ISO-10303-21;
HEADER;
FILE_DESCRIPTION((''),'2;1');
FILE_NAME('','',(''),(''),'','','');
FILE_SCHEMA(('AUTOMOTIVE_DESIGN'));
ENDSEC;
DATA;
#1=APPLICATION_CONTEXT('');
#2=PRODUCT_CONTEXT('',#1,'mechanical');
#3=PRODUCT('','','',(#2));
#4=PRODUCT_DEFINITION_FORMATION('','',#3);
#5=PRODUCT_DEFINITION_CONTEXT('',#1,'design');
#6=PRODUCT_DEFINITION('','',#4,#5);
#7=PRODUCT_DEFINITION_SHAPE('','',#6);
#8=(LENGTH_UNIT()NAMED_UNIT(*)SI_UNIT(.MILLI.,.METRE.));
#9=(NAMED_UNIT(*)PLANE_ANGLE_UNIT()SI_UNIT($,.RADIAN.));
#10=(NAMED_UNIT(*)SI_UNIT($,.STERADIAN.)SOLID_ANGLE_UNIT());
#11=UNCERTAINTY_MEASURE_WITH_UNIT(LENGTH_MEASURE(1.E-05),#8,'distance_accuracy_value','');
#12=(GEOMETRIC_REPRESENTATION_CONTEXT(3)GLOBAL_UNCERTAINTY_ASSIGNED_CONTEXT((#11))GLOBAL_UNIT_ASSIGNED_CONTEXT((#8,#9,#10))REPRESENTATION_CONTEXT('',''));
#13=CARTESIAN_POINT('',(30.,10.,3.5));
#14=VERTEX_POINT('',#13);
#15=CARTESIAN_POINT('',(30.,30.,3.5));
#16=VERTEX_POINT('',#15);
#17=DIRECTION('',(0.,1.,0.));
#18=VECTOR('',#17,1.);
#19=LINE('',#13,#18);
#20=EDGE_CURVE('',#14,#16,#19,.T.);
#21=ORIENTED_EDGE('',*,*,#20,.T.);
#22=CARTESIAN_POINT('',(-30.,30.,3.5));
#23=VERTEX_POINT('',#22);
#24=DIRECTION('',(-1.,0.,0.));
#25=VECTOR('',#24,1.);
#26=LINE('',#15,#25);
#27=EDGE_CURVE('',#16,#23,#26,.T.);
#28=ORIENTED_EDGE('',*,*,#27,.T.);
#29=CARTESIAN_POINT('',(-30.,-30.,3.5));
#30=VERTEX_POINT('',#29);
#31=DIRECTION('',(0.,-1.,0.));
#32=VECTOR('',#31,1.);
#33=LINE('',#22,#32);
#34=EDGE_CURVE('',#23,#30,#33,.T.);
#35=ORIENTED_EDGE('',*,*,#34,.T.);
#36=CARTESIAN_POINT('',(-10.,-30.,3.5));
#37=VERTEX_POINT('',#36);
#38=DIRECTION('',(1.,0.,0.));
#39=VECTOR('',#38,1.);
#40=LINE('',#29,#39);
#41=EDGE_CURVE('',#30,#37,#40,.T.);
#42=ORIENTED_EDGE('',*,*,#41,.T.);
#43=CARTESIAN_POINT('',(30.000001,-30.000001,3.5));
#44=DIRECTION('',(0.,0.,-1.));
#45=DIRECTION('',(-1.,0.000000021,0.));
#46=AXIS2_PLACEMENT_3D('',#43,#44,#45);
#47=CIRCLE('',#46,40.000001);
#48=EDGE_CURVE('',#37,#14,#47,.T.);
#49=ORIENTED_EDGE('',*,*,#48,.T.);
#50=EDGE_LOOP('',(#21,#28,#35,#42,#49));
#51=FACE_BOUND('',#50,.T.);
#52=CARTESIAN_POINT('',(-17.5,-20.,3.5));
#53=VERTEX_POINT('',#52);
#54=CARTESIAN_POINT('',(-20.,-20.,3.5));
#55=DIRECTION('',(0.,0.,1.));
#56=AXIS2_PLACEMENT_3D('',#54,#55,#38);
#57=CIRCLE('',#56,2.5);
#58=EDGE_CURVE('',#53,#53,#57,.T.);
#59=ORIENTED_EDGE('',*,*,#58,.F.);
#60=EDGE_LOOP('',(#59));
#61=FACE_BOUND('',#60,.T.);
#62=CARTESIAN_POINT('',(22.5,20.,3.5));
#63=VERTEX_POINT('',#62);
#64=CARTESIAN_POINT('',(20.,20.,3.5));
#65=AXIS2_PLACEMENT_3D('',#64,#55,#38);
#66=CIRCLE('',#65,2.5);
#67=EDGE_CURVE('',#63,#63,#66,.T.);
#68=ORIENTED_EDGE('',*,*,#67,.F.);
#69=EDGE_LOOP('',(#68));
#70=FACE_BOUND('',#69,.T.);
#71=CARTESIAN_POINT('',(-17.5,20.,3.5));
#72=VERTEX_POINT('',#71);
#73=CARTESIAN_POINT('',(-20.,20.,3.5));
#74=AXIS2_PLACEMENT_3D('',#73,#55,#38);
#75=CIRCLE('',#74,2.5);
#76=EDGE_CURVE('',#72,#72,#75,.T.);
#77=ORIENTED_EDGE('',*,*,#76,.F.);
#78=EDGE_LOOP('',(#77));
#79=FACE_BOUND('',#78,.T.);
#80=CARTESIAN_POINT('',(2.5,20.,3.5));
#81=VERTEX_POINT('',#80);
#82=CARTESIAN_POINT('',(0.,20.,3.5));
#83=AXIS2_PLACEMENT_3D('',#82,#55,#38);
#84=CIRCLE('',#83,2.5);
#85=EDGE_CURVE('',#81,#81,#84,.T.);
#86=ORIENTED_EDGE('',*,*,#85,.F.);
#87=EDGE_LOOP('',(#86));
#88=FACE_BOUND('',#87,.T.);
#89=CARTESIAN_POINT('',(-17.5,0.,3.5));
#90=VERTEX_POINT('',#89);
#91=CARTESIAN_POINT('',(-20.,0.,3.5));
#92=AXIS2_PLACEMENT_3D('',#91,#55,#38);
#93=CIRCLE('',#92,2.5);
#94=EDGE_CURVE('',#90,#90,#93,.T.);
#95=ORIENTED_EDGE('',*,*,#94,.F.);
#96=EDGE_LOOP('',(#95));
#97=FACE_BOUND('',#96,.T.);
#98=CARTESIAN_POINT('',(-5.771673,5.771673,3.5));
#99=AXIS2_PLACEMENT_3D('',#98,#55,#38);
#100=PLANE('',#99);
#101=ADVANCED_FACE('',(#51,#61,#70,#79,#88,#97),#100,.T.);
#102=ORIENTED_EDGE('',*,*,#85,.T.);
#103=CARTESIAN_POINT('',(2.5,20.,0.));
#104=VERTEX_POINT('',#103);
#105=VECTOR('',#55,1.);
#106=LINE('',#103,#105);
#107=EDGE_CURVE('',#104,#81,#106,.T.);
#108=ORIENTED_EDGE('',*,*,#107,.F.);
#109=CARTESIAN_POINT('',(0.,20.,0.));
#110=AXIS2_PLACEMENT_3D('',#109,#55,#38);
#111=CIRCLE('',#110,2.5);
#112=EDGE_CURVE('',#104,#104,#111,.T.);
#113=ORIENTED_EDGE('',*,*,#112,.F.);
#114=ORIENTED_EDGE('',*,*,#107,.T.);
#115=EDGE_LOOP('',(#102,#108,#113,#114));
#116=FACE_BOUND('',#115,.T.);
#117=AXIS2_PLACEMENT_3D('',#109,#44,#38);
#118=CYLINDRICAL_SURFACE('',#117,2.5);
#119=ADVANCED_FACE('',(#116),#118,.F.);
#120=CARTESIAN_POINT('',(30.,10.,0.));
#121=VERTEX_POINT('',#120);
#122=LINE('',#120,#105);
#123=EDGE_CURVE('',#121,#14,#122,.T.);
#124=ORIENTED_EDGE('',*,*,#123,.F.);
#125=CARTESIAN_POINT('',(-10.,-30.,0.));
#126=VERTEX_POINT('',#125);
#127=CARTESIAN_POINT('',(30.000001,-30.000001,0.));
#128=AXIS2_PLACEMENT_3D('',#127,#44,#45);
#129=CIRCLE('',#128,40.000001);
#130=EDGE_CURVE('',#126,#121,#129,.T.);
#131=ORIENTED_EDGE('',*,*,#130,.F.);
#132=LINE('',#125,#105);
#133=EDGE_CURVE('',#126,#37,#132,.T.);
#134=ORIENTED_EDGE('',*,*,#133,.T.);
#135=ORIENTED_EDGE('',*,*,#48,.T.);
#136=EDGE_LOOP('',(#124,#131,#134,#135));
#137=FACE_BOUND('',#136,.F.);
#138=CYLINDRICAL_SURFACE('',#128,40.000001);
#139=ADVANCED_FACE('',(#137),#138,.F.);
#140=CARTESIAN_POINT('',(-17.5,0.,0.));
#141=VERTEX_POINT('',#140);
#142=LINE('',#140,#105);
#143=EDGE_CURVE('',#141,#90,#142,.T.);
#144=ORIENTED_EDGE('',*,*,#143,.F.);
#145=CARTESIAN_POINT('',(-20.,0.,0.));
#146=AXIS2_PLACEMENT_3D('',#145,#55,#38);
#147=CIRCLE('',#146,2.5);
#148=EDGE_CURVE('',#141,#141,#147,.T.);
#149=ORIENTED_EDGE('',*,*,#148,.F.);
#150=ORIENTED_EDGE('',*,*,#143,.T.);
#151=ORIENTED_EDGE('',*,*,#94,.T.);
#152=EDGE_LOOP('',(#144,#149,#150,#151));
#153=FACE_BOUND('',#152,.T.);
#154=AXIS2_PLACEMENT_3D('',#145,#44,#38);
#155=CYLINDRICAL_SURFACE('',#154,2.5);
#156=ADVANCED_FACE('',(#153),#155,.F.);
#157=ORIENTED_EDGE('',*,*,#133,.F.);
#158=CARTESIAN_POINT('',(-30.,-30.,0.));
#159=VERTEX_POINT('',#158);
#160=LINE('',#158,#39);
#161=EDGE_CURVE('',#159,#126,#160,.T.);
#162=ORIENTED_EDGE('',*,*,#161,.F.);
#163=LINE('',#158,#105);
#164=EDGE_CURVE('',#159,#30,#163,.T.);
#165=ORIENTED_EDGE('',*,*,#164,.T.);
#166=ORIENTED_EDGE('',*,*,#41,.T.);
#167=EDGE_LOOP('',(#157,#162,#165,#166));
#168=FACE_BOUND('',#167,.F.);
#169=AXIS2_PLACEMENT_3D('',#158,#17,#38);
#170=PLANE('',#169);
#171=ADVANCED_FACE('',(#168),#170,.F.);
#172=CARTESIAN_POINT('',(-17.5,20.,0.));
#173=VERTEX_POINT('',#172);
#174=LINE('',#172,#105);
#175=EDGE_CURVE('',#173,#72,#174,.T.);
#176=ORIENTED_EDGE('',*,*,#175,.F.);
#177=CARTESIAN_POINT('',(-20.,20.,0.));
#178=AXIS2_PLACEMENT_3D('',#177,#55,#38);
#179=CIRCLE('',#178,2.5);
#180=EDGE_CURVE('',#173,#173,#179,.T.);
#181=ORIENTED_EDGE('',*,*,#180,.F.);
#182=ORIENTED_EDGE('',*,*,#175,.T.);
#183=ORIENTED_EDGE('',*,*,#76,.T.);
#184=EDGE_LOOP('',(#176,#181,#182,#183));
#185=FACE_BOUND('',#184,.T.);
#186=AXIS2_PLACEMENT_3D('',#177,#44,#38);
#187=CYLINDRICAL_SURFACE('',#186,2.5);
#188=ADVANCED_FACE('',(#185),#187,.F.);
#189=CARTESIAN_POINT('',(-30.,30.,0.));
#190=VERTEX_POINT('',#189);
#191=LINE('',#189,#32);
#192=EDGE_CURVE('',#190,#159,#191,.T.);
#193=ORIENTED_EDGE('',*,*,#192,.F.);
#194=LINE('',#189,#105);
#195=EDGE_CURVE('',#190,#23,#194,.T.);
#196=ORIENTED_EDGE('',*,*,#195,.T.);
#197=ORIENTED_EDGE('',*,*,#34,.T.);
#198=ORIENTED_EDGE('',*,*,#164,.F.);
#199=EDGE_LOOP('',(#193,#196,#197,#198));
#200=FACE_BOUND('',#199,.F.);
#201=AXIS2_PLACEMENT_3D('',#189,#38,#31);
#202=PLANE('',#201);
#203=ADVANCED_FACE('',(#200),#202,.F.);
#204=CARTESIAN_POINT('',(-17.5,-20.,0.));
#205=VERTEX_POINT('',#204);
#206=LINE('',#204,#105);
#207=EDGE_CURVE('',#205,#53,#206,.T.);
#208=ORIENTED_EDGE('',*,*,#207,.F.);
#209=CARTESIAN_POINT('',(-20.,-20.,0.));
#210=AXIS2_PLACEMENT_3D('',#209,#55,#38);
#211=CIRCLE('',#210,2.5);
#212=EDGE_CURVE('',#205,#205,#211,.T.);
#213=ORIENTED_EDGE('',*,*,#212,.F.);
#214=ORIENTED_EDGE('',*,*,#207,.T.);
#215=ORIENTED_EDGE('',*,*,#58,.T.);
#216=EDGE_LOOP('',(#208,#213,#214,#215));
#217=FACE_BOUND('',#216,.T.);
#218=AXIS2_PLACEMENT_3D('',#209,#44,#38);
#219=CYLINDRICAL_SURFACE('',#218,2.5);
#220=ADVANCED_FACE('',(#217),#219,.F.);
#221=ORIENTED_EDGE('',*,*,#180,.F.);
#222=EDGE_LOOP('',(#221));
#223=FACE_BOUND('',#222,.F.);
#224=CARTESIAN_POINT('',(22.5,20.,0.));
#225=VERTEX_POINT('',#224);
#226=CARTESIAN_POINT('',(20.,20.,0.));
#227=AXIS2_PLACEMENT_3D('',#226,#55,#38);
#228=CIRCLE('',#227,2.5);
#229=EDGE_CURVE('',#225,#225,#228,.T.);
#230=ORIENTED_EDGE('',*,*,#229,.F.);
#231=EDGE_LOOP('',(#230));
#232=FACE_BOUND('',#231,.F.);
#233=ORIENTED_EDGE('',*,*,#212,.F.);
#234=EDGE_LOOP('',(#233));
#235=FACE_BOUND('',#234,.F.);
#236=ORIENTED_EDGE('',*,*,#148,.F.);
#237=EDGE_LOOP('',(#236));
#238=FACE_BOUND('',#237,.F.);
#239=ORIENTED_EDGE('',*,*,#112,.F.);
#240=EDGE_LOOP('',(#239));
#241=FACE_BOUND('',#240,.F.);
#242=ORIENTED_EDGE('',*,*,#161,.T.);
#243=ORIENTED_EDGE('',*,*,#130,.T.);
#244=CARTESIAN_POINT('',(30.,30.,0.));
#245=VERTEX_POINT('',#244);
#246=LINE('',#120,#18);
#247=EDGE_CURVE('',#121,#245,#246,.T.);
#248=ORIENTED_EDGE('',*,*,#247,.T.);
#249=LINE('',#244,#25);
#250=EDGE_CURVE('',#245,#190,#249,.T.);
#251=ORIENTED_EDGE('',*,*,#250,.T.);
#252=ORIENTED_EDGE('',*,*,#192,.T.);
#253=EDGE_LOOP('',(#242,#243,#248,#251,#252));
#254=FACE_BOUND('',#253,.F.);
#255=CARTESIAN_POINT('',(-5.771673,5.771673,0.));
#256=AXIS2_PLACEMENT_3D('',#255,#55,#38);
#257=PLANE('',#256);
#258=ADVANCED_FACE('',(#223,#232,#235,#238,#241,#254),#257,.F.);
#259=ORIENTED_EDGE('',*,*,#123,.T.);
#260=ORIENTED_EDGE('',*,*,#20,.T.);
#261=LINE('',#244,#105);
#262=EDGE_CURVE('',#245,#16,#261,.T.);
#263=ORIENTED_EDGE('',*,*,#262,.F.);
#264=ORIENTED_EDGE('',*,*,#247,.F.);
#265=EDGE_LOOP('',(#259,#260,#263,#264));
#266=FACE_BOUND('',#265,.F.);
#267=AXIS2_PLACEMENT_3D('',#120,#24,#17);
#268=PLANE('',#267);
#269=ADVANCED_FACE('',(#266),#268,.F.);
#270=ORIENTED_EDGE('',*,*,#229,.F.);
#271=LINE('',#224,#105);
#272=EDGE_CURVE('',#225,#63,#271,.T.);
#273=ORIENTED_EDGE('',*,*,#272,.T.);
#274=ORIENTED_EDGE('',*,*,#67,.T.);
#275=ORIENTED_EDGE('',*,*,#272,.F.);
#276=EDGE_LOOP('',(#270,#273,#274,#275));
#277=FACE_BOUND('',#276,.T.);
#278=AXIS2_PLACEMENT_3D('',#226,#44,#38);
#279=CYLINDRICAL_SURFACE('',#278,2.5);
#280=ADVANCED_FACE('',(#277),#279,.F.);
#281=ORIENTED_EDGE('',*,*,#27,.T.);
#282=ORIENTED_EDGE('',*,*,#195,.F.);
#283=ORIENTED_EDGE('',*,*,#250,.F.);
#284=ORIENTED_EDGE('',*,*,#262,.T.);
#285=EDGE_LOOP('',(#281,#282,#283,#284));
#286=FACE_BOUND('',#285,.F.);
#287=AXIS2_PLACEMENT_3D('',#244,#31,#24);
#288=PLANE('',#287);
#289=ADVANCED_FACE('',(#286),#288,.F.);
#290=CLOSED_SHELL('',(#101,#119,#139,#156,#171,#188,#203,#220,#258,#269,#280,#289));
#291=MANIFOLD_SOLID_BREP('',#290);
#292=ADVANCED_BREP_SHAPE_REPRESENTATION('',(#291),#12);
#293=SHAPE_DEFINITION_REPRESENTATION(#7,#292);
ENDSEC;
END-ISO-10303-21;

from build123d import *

# Parameters (mm, degrees)
F0_R     = 2.5
F1_DEPTH = 3.5


with BuildPart() as f1:
    # F0 (on Top) → F1 (new body)
    with BuildSketch(Plane.XY):
        with BuildLine():
            Line((-30, 30), (-30, -30))
            Line((-30, -30), (-10, -30))
            ThreePointArc((-10, -30), (1.715729, -1.715729), (30, 10))
            Line((30, 10), (30, 30))
            Line((30, 30), (-30, 30))
        make_face()
        with Locations((-20, -20)):
            Circle(F0_R, mode=Mode.SUBTRACT)
        with Locations((-20, 0)):
            Circle(F0_R, mode=Mode.SUBTRACT)
        with Locations((-20, 20)):
            Circle(F0_R, mode=Mode.SUBTRACT)
        with Locations((0, 20)):
            Circle(F0_R, mode=Mode.SUBTRACT)
        with Locations((20, 20)):
            Circle(F0_R, mode=Mode.SUBTRACT)
    extrude(amount=F1_DEPTH)


solid = f1.part
